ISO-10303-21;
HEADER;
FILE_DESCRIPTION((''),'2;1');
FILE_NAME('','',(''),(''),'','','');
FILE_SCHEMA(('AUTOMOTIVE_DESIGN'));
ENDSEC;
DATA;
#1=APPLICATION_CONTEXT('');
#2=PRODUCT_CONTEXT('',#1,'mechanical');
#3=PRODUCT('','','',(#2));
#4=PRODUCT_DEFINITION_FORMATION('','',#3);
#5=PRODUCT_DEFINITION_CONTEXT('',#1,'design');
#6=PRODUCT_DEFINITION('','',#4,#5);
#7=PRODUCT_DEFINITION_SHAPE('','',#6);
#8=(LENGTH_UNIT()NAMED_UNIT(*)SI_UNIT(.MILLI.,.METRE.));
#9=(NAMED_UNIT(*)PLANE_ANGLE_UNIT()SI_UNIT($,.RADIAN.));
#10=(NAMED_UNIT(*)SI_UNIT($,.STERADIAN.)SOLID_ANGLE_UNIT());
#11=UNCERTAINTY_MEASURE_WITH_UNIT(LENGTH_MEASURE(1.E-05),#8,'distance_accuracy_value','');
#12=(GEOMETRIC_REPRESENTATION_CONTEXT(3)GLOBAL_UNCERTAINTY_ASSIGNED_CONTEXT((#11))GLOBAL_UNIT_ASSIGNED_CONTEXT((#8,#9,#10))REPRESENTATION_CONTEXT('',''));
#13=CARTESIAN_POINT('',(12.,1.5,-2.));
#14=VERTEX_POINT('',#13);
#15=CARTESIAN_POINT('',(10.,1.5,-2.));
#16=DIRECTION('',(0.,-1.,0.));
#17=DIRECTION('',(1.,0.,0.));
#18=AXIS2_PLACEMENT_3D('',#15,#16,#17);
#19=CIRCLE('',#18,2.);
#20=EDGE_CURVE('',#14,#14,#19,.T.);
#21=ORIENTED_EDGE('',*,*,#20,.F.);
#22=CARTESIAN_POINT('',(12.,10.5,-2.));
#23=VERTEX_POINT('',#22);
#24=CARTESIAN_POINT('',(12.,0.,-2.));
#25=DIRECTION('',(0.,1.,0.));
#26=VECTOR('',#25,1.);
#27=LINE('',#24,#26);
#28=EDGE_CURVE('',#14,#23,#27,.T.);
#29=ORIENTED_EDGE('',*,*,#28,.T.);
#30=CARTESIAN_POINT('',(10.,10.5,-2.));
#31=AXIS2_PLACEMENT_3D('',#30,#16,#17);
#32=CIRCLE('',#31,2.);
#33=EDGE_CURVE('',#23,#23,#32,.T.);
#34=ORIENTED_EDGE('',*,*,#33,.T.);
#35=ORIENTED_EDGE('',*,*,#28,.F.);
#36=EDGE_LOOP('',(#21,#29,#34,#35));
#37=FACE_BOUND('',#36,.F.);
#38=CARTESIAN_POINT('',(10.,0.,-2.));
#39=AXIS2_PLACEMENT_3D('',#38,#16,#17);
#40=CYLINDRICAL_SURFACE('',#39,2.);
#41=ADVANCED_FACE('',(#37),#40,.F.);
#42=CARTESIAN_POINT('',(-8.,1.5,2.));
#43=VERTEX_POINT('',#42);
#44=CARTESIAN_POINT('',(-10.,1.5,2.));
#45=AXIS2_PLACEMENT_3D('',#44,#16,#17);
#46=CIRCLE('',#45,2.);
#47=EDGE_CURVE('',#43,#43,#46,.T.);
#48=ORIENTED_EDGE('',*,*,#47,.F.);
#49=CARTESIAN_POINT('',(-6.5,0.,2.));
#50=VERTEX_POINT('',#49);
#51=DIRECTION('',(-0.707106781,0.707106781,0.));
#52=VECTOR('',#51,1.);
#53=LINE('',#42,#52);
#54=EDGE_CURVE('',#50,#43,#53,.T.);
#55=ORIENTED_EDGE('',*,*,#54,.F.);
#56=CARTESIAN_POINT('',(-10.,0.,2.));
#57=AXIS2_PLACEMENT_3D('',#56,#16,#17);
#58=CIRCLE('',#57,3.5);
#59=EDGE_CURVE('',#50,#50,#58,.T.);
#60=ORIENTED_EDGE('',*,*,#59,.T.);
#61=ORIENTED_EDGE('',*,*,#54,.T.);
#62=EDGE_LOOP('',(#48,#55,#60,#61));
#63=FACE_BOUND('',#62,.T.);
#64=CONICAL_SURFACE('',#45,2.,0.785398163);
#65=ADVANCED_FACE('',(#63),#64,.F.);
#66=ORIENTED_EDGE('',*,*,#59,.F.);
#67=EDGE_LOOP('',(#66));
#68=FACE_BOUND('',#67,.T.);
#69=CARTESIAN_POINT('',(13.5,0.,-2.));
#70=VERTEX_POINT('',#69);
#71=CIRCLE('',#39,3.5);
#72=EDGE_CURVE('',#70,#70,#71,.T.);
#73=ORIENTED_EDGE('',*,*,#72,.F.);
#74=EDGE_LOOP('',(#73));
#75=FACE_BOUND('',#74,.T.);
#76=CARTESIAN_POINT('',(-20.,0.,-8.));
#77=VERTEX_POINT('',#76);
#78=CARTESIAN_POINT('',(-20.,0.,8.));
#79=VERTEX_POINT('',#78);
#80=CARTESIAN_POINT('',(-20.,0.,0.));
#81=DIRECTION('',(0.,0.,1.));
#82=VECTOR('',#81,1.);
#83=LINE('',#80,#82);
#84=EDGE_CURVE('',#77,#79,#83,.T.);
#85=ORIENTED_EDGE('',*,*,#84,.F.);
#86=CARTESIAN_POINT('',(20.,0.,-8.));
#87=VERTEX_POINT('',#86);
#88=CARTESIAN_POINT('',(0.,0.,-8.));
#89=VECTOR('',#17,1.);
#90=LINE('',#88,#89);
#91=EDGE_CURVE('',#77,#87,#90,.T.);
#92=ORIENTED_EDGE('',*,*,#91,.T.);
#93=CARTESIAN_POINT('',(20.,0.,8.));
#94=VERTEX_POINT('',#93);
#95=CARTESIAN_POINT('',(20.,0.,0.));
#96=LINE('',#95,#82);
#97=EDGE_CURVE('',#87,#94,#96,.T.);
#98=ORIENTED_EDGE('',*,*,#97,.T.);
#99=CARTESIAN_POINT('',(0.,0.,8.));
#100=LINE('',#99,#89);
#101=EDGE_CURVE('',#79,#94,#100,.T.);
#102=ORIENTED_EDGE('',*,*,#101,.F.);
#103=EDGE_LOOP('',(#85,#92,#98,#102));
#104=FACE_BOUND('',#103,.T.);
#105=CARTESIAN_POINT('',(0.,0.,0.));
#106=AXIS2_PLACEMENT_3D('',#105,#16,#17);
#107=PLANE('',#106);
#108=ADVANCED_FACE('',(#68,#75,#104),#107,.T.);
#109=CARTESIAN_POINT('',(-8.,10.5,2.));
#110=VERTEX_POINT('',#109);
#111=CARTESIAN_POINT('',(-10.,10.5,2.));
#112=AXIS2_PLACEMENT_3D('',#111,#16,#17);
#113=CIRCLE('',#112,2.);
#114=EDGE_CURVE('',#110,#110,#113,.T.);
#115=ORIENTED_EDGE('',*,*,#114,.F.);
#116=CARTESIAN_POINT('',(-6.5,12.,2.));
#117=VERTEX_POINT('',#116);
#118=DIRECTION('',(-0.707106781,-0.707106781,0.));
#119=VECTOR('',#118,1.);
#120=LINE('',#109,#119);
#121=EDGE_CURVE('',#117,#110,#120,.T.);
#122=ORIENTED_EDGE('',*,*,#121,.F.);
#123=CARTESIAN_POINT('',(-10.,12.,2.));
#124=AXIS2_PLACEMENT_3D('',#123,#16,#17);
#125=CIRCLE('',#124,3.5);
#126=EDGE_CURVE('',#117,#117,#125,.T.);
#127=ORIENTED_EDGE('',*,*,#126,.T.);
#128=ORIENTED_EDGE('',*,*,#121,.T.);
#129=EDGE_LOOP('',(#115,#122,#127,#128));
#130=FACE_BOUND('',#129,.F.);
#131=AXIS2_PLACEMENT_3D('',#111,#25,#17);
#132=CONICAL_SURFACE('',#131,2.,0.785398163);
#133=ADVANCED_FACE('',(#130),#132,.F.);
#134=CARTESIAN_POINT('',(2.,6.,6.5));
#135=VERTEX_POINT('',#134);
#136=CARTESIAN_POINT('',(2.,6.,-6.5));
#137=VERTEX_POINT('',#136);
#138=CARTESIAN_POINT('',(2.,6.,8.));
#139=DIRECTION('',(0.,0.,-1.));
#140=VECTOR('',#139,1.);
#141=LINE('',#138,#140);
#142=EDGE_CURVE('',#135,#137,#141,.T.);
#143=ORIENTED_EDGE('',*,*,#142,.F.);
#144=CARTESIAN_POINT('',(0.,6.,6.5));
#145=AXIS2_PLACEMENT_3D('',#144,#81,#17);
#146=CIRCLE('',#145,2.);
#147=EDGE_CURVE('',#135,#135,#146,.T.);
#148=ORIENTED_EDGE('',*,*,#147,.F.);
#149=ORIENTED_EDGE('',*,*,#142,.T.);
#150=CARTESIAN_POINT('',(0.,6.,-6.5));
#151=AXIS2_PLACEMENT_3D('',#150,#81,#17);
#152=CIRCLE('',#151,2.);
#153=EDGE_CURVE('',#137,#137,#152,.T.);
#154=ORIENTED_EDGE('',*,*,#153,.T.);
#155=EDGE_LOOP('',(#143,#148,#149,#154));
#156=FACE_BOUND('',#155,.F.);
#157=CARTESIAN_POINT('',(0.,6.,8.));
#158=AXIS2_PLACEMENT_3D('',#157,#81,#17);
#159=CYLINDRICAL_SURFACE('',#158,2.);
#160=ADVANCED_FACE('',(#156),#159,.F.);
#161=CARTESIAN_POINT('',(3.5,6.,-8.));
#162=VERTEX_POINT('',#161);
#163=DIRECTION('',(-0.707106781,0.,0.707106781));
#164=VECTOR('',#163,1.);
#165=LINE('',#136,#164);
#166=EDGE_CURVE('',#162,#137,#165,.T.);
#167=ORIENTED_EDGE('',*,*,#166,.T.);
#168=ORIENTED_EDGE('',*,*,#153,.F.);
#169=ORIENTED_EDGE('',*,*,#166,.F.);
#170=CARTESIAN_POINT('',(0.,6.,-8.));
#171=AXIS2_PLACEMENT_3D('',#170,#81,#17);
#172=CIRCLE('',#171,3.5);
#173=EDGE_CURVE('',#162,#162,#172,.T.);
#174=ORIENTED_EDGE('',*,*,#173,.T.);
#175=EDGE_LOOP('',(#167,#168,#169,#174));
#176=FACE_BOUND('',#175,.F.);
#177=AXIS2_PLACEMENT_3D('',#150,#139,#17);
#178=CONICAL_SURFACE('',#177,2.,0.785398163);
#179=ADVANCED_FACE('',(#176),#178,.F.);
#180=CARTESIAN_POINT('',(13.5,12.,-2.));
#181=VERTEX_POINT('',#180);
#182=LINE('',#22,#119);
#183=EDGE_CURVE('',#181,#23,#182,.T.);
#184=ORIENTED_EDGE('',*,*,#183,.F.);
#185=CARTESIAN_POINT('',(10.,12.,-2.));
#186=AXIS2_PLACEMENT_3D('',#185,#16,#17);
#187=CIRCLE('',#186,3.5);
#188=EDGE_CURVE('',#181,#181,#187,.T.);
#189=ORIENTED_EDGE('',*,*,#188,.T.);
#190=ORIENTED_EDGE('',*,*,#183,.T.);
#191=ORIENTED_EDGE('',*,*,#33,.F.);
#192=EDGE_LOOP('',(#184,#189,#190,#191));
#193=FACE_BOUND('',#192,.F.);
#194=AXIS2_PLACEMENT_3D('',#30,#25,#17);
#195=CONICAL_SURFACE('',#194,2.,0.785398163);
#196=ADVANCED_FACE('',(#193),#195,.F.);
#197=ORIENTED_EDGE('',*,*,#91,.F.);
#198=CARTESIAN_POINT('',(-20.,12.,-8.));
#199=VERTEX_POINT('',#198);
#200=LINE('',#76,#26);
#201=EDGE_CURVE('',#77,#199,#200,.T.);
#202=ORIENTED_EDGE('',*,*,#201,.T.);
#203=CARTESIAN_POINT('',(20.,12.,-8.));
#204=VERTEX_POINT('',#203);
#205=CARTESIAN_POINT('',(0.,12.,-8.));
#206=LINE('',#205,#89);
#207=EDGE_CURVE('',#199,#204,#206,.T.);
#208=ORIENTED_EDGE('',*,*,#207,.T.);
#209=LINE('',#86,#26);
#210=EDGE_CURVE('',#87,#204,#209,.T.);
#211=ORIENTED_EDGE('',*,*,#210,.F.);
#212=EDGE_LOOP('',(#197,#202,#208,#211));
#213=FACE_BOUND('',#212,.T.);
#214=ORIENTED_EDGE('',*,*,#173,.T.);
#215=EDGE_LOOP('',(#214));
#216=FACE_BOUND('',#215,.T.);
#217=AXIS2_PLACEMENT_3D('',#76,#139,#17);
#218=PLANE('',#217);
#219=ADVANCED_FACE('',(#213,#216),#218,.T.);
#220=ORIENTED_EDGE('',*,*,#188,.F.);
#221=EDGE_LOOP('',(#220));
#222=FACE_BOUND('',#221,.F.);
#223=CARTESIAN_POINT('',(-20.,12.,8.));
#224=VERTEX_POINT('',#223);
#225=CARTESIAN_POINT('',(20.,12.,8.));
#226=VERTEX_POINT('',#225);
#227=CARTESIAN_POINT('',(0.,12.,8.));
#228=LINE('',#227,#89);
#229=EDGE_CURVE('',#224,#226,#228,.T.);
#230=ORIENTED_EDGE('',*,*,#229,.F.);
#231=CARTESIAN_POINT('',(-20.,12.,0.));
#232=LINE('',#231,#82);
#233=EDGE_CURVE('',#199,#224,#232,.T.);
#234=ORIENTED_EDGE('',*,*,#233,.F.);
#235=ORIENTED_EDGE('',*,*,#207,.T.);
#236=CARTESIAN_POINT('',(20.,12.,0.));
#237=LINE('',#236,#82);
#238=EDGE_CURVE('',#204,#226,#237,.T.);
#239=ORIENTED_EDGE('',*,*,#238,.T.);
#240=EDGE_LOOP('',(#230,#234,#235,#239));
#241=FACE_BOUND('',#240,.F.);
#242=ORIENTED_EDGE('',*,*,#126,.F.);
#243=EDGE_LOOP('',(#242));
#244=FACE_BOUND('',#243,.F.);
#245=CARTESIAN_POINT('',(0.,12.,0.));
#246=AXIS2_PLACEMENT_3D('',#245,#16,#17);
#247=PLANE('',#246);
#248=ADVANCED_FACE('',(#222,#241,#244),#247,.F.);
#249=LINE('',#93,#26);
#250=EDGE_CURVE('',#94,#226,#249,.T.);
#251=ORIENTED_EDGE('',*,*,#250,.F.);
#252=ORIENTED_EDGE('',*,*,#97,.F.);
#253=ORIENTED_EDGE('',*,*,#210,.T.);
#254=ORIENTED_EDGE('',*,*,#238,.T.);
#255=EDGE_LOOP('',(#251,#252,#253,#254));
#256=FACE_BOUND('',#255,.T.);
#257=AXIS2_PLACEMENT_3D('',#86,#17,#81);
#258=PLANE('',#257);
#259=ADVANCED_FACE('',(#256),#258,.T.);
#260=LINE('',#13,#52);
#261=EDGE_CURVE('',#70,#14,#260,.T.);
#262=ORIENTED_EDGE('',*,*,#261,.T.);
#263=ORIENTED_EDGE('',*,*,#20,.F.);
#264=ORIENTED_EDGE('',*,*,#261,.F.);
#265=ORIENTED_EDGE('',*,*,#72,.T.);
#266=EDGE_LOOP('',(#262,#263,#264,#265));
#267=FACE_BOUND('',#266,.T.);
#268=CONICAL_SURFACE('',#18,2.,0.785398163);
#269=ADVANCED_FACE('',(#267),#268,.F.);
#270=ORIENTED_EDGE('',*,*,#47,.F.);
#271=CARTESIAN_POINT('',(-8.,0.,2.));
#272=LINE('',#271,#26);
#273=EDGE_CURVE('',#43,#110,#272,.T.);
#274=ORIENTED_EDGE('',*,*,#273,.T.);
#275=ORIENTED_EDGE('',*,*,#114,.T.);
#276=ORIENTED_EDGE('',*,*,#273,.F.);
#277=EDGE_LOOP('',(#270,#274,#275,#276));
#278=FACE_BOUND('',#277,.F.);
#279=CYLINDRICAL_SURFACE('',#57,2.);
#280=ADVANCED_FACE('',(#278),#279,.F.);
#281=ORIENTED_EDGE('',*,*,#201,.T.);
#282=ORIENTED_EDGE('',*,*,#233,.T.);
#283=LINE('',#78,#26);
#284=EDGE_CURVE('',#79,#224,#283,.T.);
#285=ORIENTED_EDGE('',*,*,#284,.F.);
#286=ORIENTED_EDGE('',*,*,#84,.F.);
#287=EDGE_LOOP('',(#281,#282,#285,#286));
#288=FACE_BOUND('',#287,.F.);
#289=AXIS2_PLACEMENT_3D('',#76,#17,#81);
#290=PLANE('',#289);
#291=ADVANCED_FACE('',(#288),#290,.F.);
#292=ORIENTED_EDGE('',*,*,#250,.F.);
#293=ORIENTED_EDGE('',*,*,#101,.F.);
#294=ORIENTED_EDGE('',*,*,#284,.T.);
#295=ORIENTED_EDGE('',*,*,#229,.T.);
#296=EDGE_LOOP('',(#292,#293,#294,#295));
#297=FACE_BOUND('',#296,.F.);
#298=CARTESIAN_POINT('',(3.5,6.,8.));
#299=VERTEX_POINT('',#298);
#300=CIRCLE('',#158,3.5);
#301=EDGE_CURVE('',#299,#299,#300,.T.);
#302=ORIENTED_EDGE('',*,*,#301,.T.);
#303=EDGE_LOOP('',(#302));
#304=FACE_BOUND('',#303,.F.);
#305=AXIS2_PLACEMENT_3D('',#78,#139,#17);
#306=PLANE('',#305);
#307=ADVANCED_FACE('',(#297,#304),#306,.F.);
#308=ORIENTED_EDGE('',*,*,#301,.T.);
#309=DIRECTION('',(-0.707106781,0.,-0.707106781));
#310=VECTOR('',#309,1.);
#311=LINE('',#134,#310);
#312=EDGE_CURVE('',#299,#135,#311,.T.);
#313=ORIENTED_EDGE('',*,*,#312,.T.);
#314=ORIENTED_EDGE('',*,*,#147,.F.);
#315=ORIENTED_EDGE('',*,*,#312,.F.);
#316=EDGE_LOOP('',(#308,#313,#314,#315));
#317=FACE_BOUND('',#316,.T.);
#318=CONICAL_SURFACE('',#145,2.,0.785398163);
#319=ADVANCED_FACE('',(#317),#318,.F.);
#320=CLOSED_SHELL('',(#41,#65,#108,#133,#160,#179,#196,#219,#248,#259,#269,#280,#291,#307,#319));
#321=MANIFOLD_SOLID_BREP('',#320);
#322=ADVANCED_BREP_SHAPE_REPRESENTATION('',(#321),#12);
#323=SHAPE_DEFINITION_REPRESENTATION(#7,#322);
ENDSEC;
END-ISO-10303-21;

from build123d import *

# Parameters (mm, degrees)
F0_W     = 40
F0_H     = 16
F0_R     = 2
F1_DEPTH = 12
F2_R     = 2
F3_DEPTH = 16.001
F4_SIZE  = 1.5


with BuildPart() as f1:
    # F0 (on Front) → F1 (new body)
    with BuildSketch(Plane.XZ):
        Rectangle(F0_W, F0_H)
        with Locations((10, -2)):
            Circle(F0_R, mode=Mode.SUBTRACT)
        with Locations((-10, 2)):
            Circle(F0_R, mode=Mode.SUBTRACT)
    extrude(amount=-F1_DEPTH)

    # F2 (on face) → F3 (cut, through all)
    with BuildSketch(Plane.XY.offset(8)):
        with Locations((0, 6)):
            Circle(F2_R)
    extrude(amount=-F3_DEPTH, mode=Mode.SUBTRACT)

    # F4
    f4_edges = [f1.edges().sort_by_distance(p)[0] for p in [
        (-12, 12, 2),
        (8, 12, -2),
        (-12, 0, 2),
        (8, 0, -2),
        (-2, 6, 8),
        (-2, 6, -8),
    ]]
    chamfer(f4_edges, length=F4_SIZE)


solid = f1.part
